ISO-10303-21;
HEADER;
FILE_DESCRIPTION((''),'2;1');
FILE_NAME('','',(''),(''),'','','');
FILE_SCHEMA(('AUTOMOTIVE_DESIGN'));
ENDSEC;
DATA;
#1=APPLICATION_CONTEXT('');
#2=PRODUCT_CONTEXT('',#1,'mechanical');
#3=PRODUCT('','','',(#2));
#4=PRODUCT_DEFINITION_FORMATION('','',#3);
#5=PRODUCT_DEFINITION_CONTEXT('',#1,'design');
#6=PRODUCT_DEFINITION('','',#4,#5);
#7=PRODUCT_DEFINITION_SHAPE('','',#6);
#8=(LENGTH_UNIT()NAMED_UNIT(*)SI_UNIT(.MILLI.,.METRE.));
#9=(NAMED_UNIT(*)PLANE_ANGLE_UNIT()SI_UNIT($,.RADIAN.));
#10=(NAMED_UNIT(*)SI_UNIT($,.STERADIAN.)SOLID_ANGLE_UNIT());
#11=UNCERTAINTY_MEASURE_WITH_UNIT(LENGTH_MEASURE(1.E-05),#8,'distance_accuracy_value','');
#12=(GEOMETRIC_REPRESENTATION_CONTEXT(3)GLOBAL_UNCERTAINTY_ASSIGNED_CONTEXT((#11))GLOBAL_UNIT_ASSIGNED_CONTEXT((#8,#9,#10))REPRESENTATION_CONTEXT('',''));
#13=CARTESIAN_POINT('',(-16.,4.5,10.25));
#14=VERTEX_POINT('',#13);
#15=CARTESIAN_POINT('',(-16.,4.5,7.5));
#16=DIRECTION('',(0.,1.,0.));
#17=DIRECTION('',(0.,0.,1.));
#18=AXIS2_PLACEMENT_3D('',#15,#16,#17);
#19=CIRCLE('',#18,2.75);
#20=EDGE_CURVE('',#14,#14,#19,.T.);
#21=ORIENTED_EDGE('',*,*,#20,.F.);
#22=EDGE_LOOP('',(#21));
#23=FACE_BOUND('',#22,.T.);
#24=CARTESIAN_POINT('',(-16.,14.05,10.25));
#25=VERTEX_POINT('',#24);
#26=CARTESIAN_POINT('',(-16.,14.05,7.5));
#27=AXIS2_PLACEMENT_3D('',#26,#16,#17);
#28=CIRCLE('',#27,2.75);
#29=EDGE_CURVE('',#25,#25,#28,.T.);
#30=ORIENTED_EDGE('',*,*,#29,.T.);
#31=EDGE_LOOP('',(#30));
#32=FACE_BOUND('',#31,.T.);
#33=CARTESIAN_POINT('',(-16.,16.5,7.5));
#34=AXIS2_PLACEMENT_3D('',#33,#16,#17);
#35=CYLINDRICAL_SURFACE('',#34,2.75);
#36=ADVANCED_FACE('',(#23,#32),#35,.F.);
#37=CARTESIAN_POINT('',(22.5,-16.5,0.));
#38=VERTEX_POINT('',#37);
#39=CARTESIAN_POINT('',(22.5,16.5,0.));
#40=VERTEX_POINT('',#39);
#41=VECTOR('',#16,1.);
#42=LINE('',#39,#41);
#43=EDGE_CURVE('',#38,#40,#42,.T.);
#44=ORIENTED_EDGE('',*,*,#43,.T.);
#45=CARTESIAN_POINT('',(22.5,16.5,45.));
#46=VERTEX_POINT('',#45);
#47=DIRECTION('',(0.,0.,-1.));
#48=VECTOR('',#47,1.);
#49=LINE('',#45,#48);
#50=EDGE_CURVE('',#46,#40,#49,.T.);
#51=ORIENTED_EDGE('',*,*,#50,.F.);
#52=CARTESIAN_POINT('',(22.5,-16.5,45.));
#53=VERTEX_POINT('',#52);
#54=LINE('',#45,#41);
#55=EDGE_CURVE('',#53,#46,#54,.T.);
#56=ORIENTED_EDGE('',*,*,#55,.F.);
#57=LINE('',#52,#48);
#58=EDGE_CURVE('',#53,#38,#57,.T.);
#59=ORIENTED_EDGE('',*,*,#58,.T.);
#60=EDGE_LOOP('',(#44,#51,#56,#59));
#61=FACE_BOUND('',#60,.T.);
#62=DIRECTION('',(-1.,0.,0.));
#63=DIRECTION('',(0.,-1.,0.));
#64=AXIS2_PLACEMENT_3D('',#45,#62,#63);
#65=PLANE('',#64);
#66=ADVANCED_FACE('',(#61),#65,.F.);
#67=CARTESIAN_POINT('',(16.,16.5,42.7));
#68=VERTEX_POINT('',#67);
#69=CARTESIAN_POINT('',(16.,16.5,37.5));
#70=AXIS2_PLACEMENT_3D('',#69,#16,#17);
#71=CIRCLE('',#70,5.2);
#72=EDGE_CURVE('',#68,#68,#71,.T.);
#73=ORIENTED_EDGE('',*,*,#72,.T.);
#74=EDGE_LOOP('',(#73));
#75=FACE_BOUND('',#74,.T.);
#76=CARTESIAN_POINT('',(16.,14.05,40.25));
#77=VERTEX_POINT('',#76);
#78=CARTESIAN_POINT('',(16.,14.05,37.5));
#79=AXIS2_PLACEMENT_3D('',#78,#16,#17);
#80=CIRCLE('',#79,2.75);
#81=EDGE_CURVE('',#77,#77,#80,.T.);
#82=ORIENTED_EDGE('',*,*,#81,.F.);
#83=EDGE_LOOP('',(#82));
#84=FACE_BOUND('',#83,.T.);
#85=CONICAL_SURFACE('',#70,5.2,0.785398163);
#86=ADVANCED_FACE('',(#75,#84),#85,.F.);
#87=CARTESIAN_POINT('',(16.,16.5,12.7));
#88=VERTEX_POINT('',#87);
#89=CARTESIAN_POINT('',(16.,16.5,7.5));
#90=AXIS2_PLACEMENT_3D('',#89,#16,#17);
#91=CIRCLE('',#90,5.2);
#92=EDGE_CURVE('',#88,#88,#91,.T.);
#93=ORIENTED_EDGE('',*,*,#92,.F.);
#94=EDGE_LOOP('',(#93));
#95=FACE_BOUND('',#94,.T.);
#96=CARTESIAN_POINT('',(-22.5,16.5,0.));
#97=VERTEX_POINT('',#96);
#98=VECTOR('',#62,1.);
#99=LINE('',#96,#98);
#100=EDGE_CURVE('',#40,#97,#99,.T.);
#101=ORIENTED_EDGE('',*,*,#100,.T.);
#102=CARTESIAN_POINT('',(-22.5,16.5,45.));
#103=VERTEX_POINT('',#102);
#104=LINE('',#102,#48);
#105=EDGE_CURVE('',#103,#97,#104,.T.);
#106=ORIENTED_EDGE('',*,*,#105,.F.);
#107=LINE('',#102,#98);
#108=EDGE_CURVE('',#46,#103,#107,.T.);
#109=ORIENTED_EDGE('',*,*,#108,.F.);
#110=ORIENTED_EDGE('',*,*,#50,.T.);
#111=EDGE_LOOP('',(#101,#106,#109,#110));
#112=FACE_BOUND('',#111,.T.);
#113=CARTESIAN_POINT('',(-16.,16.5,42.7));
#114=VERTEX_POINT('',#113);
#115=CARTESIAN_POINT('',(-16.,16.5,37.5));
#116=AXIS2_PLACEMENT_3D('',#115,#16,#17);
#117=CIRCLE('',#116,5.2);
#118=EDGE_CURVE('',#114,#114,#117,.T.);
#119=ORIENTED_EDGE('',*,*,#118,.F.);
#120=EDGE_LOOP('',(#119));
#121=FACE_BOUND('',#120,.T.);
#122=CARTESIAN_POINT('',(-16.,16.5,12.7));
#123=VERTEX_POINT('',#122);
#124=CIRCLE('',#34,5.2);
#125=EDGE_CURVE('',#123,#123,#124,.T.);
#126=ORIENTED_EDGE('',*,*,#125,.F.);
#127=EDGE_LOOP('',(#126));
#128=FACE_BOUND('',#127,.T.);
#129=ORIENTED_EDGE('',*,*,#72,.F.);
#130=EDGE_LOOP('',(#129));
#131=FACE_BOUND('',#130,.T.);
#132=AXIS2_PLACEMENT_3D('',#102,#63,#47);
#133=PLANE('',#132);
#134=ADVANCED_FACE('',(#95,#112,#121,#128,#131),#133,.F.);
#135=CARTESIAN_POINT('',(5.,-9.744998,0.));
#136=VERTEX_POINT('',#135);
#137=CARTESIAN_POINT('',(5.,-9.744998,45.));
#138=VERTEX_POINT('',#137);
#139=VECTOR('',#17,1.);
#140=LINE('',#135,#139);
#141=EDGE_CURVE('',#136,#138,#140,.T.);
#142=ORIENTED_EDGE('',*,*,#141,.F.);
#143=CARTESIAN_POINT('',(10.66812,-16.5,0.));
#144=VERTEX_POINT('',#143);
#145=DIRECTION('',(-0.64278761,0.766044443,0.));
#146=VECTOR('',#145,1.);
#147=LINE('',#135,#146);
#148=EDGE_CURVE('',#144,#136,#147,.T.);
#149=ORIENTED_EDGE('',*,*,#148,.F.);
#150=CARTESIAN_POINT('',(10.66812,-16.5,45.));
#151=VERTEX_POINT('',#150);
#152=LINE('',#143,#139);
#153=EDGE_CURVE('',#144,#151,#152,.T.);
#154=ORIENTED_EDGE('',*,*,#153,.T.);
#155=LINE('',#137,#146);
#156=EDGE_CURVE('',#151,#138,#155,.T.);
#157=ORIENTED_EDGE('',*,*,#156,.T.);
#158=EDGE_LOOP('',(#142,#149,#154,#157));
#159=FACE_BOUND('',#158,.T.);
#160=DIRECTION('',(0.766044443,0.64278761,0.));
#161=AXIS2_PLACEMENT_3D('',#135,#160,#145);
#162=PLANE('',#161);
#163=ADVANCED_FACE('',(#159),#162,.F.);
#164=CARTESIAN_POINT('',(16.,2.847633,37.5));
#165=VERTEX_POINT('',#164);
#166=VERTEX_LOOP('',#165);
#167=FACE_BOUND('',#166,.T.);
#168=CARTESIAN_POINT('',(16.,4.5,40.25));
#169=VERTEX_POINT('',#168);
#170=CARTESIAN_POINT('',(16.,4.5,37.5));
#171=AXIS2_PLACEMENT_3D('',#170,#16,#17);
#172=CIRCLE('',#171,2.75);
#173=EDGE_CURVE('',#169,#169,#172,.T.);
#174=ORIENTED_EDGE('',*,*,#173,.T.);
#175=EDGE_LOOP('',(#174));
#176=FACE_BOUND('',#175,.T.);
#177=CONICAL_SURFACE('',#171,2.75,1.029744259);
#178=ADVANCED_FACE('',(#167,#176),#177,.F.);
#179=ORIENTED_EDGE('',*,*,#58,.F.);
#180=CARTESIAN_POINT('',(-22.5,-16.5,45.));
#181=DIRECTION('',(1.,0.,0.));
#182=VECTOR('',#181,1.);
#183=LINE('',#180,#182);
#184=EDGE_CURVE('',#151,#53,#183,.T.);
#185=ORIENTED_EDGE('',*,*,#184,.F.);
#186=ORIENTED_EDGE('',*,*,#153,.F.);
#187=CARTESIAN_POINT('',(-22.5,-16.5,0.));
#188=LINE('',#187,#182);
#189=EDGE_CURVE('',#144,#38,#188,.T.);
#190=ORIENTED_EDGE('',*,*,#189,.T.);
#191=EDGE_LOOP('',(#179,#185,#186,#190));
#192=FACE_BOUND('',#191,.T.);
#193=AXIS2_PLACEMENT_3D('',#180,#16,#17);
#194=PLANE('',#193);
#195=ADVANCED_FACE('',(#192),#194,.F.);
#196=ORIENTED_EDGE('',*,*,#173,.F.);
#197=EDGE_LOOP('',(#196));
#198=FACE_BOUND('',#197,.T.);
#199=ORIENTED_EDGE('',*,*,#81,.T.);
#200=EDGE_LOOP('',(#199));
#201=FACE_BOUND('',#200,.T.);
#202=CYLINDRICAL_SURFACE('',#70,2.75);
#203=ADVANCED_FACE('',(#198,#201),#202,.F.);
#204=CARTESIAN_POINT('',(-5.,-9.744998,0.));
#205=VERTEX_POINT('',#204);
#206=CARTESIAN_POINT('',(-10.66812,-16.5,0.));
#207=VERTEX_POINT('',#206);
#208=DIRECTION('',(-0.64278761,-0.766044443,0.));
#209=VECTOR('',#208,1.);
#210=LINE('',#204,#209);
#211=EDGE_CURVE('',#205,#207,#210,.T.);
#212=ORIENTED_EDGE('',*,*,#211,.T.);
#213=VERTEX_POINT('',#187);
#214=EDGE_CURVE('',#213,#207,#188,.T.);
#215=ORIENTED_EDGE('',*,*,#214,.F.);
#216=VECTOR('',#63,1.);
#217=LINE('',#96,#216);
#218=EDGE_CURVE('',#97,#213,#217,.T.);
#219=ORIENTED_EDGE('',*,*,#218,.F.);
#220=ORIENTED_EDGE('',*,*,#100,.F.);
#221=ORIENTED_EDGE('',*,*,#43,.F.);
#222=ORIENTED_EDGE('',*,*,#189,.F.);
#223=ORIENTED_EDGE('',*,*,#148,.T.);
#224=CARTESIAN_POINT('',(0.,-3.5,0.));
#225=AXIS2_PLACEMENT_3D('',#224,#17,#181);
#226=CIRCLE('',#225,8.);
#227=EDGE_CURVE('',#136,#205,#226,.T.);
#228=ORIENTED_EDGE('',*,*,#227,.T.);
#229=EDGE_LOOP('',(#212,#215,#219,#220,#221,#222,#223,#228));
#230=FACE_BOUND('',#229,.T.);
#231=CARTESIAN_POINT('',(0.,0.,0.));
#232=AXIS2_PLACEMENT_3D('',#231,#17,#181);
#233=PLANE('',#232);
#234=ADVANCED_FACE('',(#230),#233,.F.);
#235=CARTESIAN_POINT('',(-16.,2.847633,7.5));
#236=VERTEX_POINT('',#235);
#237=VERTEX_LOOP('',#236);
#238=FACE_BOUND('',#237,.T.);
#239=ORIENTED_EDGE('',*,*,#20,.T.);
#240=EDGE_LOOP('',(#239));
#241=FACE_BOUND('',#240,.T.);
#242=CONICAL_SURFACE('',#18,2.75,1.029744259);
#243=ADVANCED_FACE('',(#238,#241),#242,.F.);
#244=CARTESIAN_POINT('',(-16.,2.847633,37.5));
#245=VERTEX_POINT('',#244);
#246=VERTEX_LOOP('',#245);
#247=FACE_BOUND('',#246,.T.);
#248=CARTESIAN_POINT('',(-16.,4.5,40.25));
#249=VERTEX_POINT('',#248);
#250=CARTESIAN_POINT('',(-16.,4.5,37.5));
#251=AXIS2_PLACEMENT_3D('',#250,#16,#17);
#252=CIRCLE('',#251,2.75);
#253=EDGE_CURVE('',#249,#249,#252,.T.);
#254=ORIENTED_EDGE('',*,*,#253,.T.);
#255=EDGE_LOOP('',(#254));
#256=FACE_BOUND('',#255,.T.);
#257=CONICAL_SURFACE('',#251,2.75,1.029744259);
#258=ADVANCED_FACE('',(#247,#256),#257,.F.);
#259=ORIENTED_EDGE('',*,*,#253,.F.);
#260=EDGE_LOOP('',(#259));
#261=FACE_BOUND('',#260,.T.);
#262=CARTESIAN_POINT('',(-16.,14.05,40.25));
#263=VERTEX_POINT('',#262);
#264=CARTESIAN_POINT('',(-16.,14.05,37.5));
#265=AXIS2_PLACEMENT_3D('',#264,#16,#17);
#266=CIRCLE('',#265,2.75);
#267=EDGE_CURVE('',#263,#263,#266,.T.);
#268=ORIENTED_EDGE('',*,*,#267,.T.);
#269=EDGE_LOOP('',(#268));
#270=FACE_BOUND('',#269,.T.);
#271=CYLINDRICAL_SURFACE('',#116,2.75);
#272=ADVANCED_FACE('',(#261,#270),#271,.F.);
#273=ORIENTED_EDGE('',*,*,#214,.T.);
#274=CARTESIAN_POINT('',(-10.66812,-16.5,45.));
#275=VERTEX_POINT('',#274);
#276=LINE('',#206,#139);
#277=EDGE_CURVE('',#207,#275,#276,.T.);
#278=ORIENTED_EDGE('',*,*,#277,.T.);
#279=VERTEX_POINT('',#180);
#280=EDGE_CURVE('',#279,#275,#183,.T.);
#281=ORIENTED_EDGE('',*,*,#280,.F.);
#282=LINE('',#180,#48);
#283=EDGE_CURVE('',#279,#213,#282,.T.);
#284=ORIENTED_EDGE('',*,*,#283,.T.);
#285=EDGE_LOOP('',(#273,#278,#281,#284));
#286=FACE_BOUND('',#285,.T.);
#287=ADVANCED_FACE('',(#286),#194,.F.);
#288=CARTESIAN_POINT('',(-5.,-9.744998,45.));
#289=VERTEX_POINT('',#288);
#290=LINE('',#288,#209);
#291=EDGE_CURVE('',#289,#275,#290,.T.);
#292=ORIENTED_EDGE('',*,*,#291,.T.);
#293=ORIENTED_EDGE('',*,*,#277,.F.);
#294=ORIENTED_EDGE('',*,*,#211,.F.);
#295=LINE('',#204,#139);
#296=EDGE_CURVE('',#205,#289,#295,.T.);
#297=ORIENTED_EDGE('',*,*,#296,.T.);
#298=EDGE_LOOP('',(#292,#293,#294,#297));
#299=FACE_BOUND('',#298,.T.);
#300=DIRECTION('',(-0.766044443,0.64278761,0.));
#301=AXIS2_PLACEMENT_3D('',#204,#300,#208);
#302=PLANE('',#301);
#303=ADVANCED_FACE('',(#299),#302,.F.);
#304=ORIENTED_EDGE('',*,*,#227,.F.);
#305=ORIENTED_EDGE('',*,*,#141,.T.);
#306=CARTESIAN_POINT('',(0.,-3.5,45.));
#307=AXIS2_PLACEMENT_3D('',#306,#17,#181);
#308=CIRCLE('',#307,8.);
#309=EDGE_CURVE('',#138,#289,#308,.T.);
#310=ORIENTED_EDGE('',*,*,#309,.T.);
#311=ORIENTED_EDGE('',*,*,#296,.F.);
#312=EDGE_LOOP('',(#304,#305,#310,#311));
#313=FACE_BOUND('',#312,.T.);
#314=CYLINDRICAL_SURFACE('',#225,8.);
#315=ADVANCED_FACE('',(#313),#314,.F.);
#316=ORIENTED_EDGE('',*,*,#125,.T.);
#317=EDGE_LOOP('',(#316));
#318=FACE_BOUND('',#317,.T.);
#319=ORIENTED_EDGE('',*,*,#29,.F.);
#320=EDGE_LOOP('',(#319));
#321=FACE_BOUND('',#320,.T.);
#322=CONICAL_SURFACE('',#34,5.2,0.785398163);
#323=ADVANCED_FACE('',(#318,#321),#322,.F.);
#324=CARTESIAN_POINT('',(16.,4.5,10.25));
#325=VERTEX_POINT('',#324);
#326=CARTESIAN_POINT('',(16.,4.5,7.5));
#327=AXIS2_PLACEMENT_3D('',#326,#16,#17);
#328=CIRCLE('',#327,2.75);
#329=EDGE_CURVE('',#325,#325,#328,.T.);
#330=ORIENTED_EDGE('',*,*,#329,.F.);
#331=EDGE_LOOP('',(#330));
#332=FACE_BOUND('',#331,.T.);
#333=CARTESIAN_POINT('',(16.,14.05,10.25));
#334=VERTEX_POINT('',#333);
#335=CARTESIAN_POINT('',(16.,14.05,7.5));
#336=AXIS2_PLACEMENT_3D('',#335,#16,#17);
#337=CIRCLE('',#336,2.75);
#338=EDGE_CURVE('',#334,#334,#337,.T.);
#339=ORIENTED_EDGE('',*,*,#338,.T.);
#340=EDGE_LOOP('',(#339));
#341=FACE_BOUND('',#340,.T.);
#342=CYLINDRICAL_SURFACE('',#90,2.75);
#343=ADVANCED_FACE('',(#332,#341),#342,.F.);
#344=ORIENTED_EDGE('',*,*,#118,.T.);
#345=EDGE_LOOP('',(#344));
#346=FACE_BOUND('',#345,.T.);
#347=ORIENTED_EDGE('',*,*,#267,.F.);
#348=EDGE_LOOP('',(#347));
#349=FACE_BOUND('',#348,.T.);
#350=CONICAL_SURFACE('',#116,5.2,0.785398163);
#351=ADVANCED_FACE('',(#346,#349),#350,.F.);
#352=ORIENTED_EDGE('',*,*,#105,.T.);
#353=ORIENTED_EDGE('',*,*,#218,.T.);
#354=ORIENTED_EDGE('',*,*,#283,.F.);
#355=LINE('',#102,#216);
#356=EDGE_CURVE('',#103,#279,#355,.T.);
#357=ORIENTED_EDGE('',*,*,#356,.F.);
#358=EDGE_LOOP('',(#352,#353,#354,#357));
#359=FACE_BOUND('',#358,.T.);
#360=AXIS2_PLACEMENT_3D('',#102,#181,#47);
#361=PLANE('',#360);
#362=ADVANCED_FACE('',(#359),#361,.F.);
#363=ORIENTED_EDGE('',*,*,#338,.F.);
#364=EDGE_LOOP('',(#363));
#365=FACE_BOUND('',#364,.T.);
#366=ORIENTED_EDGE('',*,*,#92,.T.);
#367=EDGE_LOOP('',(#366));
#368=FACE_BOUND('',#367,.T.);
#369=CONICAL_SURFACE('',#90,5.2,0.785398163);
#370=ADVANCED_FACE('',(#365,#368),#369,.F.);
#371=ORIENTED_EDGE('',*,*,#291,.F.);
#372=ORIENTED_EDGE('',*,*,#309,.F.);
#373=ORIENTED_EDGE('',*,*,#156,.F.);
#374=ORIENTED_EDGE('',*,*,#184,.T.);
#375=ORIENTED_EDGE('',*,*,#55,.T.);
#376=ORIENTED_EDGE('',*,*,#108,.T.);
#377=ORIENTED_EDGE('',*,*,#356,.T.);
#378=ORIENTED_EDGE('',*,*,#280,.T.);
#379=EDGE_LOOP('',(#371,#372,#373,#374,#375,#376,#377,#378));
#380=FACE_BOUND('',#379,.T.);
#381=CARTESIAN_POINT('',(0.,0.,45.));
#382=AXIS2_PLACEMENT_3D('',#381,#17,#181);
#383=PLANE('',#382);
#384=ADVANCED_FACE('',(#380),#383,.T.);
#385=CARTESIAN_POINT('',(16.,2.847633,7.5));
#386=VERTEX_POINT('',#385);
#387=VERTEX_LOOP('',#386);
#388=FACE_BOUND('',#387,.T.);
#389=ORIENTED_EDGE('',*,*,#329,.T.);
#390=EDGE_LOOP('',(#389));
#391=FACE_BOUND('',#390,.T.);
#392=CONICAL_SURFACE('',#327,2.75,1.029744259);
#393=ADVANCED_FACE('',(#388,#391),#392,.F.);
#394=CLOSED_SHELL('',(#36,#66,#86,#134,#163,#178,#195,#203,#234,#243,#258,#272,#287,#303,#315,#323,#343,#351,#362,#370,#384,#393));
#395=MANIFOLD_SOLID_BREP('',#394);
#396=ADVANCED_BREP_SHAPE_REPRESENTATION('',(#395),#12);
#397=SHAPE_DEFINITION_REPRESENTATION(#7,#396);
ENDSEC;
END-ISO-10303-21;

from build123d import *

# Parameters (mm, degrees)
SKETCH1_W                                            = 45
SKETCH1_H                                            = 33
BOSS_EXTRUDE1_DEPTH                                  = 45
CUT_EXTRUDE1_DEPTH                                   = 45
CSK_FOR_M5_COUNTERSUNK_RAISED_HEAD_SCREW_D           = 5.5
CSK_FOR_M5_COUNTERSUNK_RAISED_HEAD_SCREW_DEPTH       = 12
CSK_FOR_M5_COUNTERSUNK_RAISED_HEAD_SCREW_CSINK_D     = 10.4
CSK_FOR_M5_COUNTERSUNK_RAISED_HEAD_SCREW_CSINK_ANGLE = 90
CSK_FOR_M5_COUNTERSUNK_RAISED_HEAD_SCREW_TIP         = 1.652366702


with BuildPart() as part:
    # Sketch1 → Boss-Extrude1 (new body)
    with BuildSketch(Plane.XY):
        Rectangle(SKETCH1_W, SKETCH1_H)
    extrude(amount=BOSS_EXTRUDE1_DEPTH)

    # Sketch2 → Cut-Extrude1 (cut)
    with BuildSketch(Plane.XY.offset(45)):
        with BuildLine():
            Line((-5, -9.744997998), (-10.668119688, -16.5))
            Line((-10.668119688, -16.5), (10.668119688, -16.5))
            Line((10.668119688, -16.5), (5, -9.744997998))
            ThreePointArc((5, -9.744997998), (0, 4.5), (-5, -9.744997998))
        make_face()
    extrude(amount=-CUT_EXTRUDE1_DEPTH, mode=Mode.SUBTRACT)

    # CSK for M5 Countersunk Raised Head Screw1
    with Locations(Plane(origin=(0, 16.5, 0), x_dir=(1, 0, 0), z_dir=(0, 1, 0))):
        with Locations((-16, -37.5), (-16, -7.5), (16, -7.5), (16, -37.5)):
            CounterSinkHole(CSK_FOR_M5_COUNTERSUNK_RAISED_HEAD_SCREW_D / 2, CSK_FOR_M5_COUNTERSUNK_RAISED_HEAD_SCREW_CSINK_D / 2, depth=CSK_FOR_M5_COUNTERSUNK_RAISED_HEAD_SCREW_DEPTH, counter_sink_angle=CSK_FOR_M5_COUNTERSUNK_RAISED_HEAD_SCREW_CSINK_ANGLE)
            with Locations((0, 0, -(CSK_FOR_M5_COUNTERSUNK_RAISED_HEAD_SCREW_DEPTH + CSK_FOR_M5_COUNTERSUNK_RAISED_HEAD_SCREW_TIP / 2))):  # 118° drill point
                Cone(0, CSK_FOR_M5_COUNTERSUNK_RAISED_HEAD_SCREW_D / 2, CSK_FOR_M5_COUNTERSUNK_RAISED_HEAD_SCREW_TIP, mode=Mode.SUBTRACT)


solid = part.part
